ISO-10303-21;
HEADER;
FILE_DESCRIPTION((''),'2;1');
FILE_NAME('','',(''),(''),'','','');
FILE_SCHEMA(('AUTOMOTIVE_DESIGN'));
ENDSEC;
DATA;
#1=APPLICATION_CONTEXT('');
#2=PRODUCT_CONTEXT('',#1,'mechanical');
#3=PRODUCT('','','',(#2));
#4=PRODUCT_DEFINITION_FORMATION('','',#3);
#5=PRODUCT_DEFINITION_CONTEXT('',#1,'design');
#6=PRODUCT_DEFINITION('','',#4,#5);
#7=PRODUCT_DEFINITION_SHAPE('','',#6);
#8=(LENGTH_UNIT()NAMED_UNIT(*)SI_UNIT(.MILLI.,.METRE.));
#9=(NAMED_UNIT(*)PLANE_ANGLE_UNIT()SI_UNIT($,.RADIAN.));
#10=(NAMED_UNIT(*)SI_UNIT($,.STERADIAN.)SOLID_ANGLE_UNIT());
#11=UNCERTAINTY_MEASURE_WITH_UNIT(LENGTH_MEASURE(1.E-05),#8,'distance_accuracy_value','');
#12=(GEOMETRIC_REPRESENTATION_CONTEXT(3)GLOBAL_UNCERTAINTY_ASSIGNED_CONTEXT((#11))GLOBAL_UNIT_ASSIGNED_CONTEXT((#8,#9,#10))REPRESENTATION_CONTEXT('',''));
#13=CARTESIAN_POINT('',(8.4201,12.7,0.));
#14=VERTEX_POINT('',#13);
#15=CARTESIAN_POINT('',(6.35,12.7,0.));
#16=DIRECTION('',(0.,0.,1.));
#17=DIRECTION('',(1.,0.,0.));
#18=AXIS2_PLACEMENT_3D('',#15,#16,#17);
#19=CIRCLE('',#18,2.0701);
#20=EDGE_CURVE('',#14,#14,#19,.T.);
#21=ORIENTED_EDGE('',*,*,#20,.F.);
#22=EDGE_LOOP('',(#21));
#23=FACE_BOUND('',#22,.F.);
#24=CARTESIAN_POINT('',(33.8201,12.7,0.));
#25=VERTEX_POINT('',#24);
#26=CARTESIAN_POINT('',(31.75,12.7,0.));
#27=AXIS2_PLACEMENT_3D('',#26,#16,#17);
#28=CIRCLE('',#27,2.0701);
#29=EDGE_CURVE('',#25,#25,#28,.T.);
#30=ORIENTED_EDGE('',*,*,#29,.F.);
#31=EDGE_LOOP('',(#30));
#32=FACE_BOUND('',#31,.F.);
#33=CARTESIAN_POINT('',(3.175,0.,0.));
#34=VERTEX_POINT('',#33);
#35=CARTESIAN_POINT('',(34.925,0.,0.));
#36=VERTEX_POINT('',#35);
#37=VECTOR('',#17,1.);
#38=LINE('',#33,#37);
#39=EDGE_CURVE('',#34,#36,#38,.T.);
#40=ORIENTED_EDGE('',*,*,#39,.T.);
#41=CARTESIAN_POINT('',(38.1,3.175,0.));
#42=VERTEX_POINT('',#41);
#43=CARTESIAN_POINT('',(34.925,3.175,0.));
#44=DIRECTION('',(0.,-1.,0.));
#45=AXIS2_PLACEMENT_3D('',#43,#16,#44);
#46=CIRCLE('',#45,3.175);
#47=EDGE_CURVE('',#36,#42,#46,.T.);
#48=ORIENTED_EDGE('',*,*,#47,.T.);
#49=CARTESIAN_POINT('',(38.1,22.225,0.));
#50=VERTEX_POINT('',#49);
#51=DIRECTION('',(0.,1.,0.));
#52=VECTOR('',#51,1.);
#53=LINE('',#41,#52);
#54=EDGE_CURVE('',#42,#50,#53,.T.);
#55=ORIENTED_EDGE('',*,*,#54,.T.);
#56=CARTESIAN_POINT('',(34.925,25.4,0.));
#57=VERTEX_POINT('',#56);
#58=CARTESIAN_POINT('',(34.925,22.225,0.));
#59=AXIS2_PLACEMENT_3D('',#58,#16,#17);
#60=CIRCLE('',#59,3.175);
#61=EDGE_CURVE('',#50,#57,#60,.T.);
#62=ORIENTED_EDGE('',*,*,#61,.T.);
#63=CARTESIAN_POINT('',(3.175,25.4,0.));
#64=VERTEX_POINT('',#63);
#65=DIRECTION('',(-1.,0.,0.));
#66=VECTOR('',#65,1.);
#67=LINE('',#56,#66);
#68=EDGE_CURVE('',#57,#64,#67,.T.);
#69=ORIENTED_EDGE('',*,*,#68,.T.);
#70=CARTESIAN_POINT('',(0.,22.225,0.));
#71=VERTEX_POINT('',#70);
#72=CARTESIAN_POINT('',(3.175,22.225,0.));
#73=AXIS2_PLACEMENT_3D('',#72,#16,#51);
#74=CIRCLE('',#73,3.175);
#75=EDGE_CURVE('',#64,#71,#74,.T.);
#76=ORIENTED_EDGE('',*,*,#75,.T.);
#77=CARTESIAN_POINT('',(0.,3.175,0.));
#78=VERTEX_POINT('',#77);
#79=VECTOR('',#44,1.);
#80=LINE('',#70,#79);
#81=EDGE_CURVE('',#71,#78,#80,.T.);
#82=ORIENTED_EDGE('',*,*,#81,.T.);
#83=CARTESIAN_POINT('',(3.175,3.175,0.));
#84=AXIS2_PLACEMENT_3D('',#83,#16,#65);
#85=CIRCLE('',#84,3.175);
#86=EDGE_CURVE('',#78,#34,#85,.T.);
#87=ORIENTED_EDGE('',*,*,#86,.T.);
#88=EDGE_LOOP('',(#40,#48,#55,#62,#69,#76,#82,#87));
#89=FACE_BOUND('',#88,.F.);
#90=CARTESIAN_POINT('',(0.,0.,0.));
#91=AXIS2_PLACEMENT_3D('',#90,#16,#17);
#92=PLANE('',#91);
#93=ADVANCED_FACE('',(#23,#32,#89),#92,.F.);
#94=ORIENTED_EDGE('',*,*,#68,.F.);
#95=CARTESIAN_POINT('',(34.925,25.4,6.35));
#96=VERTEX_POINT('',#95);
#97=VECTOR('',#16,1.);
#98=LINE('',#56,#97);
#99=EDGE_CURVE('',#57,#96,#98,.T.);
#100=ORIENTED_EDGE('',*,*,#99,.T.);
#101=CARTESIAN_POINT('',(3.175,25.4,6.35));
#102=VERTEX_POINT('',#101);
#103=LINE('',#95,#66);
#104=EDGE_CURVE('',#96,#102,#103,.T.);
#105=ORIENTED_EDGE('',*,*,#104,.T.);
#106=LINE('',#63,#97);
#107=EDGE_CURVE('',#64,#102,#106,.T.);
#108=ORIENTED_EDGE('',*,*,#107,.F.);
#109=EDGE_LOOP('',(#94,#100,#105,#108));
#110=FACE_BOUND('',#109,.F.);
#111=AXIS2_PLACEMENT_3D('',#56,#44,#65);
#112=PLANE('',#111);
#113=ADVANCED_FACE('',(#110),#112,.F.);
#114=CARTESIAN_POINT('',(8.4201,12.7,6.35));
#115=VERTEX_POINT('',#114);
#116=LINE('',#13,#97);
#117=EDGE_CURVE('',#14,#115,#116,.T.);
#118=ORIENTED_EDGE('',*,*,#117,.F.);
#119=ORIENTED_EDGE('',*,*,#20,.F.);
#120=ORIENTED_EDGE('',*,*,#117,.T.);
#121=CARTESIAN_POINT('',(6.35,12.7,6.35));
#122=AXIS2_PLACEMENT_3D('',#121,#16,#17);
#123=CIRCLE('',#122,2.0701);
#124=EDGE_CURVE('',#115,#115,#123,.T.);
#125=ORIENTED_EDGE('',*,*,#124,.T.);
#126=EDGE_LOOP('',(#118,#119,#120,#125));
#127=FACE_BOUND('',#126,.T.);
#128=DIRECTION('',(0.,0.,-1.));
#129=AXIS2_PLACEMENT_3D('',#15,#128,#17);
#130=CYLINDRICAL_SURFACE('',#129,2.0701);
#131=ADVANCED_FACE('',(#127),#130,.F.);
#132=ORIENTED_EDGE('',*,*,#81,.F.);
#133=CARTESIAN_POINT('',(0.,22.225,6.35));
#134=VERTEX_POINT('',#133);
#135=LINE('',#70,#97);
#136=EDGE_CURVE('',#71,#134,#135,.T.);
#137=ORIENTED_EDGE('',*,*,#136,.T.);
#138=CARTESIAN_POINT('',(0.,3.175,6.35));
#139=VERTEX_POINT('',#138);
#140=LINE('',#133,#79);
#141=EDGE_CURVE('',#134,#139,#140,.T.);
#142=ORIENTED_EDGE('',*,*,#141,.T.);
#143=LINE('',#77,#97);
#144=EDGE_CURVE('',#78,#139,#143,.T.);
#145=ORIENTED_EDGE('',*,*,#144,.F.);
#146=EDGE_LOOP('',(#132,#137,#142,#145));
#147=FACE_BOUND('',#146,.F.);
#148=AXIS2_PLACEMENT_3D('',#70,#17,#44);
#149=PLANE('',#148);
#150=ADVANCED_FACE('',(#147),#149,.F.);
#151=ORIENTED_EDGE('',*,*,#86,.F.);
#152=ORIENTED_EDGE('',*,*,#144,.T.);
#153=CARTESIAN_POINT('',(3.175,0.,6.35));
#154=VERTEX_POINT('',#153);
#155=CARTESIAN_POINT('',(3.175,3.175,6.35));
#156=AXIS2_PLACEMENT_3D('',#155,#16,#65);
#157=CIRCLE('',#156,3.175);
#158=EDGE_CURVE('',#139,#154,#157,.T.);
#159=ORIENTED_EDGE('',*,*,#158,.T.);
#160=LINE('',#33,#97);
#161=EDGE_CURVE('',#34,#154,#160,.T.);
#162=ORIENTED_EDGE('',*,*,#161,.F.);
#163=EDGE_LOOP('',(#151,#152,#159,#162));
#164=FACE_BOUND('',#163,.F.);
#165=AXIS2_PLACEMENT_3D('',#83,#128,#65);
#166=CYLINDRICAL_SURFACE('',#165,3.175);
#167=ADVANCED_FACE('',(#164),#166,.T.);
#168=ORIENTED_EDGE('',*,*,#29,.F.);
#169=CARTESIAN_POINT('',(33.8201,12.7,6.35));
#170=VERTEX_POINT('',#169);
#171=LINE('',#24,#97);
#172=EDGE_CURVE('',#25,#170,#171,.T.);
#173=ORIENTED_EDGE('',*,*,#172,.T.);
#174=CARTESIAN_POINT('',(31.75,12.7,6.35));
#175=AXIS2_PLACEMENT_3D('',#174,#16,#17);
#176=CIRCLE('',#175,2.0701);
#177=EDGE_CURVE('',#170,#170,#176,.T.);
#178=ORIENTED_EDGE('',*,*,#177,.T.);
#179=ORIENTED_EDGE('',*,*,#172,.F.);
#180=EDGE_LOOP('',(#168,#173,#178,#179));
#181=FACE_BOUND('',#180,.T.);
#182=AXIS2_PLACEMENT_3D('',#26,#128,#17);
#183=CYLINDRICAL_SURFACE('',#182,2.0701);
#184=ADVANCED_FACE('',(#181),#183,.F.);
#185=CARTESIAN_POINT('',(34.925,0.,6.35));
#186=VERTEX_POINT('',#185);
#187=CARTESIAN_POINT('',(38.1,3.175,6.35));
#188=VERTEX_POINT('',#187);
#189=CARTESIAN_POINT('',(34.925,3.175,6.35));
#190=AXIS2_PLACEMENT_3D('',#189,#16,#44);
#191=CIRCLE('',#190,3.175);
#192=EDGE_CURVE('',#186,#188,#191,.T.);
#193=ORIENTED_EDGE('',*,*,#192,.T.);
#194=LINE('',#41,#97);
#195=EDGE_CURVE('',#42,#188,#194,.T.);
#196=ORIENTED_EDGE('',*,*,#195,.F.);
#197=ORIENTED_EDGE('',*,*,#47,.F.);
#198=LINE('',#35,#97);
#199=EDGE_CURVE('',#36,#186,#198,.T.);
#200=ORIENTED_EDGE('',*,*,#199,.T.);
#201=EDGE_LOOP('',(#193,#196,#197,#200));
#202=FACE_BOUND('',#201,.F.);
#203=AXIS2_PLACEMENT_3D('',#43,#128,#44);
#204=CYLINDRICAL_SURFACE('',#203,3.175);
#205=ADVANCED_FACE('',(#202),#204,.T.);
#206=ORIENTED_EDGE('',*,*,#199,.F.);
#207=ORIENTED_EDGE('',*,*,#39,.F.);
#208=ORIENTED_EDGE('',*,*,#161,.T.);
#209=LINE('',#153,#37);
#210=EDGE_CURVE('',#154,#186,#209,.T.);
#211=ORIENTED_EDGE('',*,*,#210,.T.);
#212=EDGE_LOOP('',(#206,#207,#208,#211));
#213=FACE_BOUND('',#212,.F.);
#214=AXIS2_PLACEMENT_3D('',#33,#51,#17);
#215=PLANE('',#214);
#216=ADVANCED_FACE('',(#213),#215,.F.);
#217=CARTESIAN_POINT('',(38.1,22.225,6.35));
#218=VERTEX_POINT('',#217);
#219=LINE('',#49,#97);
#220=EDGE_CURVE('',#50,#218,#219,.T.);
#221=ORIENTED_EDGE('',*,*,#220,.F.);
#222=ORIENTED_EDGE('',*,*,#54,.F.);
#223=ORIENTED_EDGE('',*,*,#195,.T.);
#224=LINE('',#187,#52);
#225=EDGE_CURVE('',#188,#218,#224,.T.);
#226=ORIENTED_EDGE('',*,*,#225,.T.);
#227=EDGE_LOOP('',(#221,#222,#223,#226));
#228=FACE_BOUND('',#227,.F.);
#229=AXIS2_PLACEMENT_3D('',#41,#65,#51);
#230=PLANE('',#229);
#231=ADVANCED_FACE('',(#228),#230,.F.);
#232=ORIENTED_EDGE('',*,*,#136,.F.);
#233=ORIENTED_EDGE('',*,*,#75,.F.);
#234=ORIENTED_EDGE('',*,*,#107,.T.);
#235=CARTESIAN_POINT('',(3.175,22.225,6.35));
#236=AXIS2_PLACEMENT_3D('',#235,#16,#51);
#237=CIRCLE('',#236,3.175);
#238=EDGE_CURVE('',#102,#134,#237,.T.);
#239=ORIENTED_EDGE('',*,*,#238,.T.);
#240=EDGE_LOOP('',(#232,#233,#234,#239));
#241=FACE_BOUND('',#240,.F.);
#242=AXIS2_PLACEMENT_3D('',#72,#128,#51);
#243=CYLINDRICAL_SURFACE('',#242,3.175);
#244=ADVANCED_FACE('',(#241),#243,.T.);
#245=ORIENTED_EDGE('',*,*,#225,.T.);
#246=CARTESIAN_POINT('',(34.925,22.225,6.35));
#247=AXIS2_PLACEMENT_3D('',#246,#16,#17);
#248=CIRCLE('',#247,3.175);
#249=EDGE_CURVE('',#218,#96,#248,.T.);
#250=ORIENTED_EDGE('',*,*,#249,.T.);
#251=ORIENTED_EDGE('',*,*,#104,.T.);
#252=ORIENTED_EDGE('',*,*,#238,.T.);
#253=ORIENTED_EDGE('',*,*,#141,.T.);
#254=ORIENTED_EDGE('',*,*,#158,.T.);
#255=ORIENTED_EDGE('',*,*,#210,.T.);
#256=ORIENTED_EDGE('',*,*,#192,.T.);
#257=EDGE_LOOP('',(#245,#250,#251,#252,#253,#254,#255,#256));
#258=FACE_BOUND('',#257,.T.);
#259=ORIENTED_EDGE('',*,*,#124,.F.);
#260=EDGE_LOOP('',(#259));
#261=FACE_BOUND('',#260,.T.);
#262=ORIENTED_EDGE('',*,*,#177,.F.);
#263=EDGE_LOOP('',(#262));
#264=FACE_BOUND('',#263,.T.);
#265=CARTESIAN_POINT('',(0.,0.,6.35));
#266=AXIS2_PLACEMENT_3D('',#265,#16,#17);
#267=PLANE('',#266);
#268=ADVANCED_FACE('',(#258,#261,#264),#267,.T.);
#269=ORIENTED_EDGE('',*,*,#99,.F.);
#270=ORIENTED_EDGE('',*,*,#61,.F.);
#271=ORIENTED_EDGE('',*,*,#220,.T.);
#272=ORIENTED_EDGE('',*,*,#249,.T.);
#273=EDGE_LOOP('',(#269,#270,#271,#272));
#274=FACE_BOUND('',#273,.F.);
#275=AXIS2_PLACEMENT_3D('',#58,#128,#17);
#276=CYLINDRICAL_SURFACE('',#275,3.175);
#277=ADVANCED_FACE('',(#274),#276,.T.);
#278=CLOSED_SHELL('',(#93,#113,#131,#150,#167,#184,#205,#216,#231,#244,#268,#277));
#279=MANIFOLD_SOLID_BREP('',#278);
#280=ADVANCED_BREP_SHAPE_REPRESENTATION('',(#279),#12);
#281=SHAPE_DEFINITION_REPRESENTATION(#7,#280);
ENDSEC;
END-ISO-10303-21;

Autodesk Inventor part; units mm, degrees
ref_plane "YZ Plane" through (0, 0, 0) normal (1, 0, 0) x (0, 1, 0)
ref_plane "XZ Plane" through (0, 0, 0) normal (0, 1, 0) x (-1, 0, 0)
ref_plane "XY Plane" through (0, 0, 0) normal (0, 0, 1) x (1, 0, 0)
sketch "Sketch1" plane through (0, 0, 0) normal (0, 0, 1) x (1, 0, 0)
  line L0 (3.175, 0) -> (34.925, 0)
  line L1 (38.1, 3.175) -> (38.1, 22.225)
  line L2 (34.925, 25.4) -> (3.175, 25.4)
  line L3 (0, 22.225) -> (0, 3.175)
  circle A0 centre (6.35, 12.7) radius 2.0701
  circle A1 centre (31.75, 12.7) radius 2.0701
  arc A2 (3.175, 25.4) -> (0, 22.225) centre (3.175, 22.225) ccw
  arc A3 (38.1, 22.225) -> (34.925, 25.4) centre (34.925, 22.225) ccw
  arc A4 (34.925, 0) -> (38.1, 3.175) centre (34.925, 3.175) ccw
  arc A5 (0, 3.175) -> (3.175, 0) centre (3.175, 3.175) ccw
  point P0 (0, 0)
  point P1 (38.1, 25.4)
  point P2 (38.1, 0)
  point P3 (0, 25.4)
  dimension "d0" = 38.1
  dimension "d1" = 25.4
  dimension "d2" = 4.1402
  dimension "d3" = 12.7
  dimension "d4" = 6.35
  dimension "d7" = 25.4
  dimension "d21" = 3.175
extrude "Extrusion1" add sketch "Sketch1" along normal blind 6.35
properties part number "Spacer 3" material "Aluminum 6061"
